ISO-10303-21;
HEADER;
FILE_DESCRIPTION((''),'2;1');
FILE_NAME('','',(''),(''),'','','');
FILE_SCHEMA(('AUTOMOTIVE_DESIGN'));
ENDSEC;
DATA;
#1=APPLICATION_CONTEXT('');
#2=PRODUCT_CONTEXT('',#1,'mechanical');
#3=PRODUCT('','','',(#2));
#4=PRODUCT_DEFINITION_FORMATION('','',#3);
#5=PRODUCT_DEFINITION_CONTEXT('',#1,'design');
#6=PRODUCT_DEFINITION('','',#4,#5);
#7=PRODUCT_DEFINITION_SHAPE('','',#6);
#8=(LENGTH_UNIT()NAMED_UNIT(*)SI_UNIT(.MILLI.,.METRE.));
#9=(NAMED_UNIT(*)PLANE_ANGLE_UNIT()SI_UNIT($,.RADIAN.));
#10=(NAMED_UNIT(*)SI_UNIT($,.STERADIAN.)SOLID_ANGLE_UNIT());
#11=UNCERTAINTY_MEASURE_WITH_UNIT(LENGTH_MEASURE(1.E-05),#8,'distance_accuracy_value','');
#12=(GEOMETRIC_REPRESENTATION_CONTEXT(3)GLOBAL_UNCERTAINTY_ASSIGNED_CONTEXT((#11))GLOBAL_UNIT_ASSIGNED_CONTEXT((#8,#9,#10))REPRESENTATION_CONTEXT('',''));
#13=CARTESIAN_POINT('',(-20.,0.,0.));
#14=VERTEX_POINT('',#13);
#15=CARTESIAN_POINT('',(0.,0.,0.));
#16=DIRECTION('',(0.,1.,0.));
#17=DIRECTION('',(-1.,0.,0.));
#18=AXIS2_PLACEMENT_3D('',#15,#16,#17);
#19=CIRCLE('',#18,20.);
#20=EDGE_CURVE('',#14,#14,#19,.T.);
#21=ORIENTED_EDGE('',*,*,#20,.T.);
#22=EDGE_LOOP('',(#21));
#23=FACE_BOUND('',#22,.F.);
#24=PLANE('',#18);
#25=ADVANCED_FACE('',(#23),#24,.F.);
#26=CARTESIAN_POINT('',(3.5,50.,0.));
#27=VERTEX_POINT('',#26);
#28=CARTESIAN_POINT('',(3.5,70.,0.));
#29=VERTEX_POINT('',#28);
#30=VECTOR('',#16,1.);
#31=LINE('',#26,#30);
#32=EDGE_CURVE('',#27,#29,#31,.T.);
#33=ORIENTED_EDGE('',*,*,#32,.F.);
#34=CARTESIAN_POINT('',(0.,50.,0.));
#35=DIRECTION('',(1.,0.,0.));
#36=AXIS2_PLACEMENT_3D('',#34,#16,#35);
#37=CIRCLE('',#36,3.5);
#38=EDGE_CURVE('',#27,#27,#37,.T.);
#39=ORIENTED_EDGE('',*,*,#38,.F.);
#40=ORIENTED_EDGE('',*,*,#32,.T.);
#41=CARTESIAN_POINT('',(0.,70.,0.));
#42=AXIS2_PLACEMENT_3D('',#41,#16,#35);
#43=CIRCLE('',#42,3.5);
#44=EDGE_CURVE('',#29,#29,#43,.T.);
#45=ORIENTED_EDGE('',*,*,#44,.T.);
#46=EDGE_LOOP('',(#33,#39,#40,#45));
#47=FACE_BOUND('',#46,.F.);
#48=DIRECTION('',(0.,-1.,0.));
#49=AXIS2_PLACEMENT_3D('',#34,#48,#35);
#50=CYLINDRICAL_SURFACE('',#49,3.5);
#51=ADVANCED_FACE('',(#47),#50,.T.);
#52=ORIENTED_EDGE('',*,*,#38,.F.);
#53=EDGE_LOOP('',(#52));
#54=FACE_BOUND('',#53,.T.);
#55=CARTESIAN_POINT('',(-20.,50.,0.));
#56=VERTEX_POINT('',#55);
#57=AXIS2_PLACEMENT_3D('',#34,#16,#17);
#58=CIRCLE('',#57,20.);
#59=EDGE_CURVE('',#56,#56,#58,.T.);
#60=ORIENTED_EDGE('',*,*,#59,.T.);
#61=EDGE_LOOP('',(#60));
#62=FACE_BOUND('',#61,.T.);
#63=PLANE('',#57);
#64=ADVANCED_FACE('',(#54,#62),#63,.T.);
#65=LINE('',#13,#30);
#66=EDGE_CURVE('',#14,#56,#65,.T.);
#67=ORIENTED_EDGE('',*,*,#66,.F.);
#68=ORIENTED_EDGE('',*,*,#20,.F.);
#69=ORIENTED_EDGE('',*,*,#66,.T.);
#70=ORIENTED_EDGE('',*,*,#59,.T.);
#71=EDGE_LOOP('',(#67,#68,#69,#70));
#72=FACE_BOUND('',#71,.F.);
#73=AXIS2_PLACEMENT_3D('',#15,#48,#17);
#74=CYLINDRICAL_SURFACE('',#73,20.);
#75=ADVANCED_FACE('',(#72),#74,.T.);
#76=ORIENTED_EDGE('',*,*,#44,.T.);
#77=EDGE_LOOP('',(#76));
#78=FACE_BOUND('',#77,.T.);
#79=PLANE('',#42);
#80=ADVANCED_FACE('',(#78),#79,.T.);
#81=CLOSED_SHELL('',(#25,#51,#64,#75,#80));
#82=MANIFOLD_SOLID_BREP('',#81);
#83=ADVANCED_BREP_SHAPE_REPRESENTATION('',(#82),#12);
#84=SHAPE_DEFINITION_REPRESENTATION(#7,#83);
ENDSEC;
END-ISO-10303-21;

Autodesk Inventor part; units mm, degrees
ref_plane "XZ Plane" through (0, 0, 0) normal (0, 1, 0) x (-1, 0, 0)
ref_plane "XY Plane" through (0, 0, 0) normal (0, 0, 1) x (1, 0, 0)
sketch "Sketch1" plane through (0, 0, 0) normal (0, 1, 0) x (-1, 0, 0)
  circle A0 centre (0, 0) radius 20
  dimension "d0" = 40
extrude "Extrusion1" add sketch "Sketch1" along normal blind 50
sketch "Sketch2" plane through (0, 50, 0) normal (0, 1, 0) x (1, 0, 0)
  circle A0 centre (0, 0) radius 20 projected
  circle A1 centre (0, 0) radius 3.5
  dimension "d3" = 7
extrude "Extrusion2" add sketch "Sketch2" along normal blind 20 contours A1
ref_plane "Work Plane1" through (20, 0, 0) normal (1, 0, 0) x (0, 1, 0)
properties part number "motor"
